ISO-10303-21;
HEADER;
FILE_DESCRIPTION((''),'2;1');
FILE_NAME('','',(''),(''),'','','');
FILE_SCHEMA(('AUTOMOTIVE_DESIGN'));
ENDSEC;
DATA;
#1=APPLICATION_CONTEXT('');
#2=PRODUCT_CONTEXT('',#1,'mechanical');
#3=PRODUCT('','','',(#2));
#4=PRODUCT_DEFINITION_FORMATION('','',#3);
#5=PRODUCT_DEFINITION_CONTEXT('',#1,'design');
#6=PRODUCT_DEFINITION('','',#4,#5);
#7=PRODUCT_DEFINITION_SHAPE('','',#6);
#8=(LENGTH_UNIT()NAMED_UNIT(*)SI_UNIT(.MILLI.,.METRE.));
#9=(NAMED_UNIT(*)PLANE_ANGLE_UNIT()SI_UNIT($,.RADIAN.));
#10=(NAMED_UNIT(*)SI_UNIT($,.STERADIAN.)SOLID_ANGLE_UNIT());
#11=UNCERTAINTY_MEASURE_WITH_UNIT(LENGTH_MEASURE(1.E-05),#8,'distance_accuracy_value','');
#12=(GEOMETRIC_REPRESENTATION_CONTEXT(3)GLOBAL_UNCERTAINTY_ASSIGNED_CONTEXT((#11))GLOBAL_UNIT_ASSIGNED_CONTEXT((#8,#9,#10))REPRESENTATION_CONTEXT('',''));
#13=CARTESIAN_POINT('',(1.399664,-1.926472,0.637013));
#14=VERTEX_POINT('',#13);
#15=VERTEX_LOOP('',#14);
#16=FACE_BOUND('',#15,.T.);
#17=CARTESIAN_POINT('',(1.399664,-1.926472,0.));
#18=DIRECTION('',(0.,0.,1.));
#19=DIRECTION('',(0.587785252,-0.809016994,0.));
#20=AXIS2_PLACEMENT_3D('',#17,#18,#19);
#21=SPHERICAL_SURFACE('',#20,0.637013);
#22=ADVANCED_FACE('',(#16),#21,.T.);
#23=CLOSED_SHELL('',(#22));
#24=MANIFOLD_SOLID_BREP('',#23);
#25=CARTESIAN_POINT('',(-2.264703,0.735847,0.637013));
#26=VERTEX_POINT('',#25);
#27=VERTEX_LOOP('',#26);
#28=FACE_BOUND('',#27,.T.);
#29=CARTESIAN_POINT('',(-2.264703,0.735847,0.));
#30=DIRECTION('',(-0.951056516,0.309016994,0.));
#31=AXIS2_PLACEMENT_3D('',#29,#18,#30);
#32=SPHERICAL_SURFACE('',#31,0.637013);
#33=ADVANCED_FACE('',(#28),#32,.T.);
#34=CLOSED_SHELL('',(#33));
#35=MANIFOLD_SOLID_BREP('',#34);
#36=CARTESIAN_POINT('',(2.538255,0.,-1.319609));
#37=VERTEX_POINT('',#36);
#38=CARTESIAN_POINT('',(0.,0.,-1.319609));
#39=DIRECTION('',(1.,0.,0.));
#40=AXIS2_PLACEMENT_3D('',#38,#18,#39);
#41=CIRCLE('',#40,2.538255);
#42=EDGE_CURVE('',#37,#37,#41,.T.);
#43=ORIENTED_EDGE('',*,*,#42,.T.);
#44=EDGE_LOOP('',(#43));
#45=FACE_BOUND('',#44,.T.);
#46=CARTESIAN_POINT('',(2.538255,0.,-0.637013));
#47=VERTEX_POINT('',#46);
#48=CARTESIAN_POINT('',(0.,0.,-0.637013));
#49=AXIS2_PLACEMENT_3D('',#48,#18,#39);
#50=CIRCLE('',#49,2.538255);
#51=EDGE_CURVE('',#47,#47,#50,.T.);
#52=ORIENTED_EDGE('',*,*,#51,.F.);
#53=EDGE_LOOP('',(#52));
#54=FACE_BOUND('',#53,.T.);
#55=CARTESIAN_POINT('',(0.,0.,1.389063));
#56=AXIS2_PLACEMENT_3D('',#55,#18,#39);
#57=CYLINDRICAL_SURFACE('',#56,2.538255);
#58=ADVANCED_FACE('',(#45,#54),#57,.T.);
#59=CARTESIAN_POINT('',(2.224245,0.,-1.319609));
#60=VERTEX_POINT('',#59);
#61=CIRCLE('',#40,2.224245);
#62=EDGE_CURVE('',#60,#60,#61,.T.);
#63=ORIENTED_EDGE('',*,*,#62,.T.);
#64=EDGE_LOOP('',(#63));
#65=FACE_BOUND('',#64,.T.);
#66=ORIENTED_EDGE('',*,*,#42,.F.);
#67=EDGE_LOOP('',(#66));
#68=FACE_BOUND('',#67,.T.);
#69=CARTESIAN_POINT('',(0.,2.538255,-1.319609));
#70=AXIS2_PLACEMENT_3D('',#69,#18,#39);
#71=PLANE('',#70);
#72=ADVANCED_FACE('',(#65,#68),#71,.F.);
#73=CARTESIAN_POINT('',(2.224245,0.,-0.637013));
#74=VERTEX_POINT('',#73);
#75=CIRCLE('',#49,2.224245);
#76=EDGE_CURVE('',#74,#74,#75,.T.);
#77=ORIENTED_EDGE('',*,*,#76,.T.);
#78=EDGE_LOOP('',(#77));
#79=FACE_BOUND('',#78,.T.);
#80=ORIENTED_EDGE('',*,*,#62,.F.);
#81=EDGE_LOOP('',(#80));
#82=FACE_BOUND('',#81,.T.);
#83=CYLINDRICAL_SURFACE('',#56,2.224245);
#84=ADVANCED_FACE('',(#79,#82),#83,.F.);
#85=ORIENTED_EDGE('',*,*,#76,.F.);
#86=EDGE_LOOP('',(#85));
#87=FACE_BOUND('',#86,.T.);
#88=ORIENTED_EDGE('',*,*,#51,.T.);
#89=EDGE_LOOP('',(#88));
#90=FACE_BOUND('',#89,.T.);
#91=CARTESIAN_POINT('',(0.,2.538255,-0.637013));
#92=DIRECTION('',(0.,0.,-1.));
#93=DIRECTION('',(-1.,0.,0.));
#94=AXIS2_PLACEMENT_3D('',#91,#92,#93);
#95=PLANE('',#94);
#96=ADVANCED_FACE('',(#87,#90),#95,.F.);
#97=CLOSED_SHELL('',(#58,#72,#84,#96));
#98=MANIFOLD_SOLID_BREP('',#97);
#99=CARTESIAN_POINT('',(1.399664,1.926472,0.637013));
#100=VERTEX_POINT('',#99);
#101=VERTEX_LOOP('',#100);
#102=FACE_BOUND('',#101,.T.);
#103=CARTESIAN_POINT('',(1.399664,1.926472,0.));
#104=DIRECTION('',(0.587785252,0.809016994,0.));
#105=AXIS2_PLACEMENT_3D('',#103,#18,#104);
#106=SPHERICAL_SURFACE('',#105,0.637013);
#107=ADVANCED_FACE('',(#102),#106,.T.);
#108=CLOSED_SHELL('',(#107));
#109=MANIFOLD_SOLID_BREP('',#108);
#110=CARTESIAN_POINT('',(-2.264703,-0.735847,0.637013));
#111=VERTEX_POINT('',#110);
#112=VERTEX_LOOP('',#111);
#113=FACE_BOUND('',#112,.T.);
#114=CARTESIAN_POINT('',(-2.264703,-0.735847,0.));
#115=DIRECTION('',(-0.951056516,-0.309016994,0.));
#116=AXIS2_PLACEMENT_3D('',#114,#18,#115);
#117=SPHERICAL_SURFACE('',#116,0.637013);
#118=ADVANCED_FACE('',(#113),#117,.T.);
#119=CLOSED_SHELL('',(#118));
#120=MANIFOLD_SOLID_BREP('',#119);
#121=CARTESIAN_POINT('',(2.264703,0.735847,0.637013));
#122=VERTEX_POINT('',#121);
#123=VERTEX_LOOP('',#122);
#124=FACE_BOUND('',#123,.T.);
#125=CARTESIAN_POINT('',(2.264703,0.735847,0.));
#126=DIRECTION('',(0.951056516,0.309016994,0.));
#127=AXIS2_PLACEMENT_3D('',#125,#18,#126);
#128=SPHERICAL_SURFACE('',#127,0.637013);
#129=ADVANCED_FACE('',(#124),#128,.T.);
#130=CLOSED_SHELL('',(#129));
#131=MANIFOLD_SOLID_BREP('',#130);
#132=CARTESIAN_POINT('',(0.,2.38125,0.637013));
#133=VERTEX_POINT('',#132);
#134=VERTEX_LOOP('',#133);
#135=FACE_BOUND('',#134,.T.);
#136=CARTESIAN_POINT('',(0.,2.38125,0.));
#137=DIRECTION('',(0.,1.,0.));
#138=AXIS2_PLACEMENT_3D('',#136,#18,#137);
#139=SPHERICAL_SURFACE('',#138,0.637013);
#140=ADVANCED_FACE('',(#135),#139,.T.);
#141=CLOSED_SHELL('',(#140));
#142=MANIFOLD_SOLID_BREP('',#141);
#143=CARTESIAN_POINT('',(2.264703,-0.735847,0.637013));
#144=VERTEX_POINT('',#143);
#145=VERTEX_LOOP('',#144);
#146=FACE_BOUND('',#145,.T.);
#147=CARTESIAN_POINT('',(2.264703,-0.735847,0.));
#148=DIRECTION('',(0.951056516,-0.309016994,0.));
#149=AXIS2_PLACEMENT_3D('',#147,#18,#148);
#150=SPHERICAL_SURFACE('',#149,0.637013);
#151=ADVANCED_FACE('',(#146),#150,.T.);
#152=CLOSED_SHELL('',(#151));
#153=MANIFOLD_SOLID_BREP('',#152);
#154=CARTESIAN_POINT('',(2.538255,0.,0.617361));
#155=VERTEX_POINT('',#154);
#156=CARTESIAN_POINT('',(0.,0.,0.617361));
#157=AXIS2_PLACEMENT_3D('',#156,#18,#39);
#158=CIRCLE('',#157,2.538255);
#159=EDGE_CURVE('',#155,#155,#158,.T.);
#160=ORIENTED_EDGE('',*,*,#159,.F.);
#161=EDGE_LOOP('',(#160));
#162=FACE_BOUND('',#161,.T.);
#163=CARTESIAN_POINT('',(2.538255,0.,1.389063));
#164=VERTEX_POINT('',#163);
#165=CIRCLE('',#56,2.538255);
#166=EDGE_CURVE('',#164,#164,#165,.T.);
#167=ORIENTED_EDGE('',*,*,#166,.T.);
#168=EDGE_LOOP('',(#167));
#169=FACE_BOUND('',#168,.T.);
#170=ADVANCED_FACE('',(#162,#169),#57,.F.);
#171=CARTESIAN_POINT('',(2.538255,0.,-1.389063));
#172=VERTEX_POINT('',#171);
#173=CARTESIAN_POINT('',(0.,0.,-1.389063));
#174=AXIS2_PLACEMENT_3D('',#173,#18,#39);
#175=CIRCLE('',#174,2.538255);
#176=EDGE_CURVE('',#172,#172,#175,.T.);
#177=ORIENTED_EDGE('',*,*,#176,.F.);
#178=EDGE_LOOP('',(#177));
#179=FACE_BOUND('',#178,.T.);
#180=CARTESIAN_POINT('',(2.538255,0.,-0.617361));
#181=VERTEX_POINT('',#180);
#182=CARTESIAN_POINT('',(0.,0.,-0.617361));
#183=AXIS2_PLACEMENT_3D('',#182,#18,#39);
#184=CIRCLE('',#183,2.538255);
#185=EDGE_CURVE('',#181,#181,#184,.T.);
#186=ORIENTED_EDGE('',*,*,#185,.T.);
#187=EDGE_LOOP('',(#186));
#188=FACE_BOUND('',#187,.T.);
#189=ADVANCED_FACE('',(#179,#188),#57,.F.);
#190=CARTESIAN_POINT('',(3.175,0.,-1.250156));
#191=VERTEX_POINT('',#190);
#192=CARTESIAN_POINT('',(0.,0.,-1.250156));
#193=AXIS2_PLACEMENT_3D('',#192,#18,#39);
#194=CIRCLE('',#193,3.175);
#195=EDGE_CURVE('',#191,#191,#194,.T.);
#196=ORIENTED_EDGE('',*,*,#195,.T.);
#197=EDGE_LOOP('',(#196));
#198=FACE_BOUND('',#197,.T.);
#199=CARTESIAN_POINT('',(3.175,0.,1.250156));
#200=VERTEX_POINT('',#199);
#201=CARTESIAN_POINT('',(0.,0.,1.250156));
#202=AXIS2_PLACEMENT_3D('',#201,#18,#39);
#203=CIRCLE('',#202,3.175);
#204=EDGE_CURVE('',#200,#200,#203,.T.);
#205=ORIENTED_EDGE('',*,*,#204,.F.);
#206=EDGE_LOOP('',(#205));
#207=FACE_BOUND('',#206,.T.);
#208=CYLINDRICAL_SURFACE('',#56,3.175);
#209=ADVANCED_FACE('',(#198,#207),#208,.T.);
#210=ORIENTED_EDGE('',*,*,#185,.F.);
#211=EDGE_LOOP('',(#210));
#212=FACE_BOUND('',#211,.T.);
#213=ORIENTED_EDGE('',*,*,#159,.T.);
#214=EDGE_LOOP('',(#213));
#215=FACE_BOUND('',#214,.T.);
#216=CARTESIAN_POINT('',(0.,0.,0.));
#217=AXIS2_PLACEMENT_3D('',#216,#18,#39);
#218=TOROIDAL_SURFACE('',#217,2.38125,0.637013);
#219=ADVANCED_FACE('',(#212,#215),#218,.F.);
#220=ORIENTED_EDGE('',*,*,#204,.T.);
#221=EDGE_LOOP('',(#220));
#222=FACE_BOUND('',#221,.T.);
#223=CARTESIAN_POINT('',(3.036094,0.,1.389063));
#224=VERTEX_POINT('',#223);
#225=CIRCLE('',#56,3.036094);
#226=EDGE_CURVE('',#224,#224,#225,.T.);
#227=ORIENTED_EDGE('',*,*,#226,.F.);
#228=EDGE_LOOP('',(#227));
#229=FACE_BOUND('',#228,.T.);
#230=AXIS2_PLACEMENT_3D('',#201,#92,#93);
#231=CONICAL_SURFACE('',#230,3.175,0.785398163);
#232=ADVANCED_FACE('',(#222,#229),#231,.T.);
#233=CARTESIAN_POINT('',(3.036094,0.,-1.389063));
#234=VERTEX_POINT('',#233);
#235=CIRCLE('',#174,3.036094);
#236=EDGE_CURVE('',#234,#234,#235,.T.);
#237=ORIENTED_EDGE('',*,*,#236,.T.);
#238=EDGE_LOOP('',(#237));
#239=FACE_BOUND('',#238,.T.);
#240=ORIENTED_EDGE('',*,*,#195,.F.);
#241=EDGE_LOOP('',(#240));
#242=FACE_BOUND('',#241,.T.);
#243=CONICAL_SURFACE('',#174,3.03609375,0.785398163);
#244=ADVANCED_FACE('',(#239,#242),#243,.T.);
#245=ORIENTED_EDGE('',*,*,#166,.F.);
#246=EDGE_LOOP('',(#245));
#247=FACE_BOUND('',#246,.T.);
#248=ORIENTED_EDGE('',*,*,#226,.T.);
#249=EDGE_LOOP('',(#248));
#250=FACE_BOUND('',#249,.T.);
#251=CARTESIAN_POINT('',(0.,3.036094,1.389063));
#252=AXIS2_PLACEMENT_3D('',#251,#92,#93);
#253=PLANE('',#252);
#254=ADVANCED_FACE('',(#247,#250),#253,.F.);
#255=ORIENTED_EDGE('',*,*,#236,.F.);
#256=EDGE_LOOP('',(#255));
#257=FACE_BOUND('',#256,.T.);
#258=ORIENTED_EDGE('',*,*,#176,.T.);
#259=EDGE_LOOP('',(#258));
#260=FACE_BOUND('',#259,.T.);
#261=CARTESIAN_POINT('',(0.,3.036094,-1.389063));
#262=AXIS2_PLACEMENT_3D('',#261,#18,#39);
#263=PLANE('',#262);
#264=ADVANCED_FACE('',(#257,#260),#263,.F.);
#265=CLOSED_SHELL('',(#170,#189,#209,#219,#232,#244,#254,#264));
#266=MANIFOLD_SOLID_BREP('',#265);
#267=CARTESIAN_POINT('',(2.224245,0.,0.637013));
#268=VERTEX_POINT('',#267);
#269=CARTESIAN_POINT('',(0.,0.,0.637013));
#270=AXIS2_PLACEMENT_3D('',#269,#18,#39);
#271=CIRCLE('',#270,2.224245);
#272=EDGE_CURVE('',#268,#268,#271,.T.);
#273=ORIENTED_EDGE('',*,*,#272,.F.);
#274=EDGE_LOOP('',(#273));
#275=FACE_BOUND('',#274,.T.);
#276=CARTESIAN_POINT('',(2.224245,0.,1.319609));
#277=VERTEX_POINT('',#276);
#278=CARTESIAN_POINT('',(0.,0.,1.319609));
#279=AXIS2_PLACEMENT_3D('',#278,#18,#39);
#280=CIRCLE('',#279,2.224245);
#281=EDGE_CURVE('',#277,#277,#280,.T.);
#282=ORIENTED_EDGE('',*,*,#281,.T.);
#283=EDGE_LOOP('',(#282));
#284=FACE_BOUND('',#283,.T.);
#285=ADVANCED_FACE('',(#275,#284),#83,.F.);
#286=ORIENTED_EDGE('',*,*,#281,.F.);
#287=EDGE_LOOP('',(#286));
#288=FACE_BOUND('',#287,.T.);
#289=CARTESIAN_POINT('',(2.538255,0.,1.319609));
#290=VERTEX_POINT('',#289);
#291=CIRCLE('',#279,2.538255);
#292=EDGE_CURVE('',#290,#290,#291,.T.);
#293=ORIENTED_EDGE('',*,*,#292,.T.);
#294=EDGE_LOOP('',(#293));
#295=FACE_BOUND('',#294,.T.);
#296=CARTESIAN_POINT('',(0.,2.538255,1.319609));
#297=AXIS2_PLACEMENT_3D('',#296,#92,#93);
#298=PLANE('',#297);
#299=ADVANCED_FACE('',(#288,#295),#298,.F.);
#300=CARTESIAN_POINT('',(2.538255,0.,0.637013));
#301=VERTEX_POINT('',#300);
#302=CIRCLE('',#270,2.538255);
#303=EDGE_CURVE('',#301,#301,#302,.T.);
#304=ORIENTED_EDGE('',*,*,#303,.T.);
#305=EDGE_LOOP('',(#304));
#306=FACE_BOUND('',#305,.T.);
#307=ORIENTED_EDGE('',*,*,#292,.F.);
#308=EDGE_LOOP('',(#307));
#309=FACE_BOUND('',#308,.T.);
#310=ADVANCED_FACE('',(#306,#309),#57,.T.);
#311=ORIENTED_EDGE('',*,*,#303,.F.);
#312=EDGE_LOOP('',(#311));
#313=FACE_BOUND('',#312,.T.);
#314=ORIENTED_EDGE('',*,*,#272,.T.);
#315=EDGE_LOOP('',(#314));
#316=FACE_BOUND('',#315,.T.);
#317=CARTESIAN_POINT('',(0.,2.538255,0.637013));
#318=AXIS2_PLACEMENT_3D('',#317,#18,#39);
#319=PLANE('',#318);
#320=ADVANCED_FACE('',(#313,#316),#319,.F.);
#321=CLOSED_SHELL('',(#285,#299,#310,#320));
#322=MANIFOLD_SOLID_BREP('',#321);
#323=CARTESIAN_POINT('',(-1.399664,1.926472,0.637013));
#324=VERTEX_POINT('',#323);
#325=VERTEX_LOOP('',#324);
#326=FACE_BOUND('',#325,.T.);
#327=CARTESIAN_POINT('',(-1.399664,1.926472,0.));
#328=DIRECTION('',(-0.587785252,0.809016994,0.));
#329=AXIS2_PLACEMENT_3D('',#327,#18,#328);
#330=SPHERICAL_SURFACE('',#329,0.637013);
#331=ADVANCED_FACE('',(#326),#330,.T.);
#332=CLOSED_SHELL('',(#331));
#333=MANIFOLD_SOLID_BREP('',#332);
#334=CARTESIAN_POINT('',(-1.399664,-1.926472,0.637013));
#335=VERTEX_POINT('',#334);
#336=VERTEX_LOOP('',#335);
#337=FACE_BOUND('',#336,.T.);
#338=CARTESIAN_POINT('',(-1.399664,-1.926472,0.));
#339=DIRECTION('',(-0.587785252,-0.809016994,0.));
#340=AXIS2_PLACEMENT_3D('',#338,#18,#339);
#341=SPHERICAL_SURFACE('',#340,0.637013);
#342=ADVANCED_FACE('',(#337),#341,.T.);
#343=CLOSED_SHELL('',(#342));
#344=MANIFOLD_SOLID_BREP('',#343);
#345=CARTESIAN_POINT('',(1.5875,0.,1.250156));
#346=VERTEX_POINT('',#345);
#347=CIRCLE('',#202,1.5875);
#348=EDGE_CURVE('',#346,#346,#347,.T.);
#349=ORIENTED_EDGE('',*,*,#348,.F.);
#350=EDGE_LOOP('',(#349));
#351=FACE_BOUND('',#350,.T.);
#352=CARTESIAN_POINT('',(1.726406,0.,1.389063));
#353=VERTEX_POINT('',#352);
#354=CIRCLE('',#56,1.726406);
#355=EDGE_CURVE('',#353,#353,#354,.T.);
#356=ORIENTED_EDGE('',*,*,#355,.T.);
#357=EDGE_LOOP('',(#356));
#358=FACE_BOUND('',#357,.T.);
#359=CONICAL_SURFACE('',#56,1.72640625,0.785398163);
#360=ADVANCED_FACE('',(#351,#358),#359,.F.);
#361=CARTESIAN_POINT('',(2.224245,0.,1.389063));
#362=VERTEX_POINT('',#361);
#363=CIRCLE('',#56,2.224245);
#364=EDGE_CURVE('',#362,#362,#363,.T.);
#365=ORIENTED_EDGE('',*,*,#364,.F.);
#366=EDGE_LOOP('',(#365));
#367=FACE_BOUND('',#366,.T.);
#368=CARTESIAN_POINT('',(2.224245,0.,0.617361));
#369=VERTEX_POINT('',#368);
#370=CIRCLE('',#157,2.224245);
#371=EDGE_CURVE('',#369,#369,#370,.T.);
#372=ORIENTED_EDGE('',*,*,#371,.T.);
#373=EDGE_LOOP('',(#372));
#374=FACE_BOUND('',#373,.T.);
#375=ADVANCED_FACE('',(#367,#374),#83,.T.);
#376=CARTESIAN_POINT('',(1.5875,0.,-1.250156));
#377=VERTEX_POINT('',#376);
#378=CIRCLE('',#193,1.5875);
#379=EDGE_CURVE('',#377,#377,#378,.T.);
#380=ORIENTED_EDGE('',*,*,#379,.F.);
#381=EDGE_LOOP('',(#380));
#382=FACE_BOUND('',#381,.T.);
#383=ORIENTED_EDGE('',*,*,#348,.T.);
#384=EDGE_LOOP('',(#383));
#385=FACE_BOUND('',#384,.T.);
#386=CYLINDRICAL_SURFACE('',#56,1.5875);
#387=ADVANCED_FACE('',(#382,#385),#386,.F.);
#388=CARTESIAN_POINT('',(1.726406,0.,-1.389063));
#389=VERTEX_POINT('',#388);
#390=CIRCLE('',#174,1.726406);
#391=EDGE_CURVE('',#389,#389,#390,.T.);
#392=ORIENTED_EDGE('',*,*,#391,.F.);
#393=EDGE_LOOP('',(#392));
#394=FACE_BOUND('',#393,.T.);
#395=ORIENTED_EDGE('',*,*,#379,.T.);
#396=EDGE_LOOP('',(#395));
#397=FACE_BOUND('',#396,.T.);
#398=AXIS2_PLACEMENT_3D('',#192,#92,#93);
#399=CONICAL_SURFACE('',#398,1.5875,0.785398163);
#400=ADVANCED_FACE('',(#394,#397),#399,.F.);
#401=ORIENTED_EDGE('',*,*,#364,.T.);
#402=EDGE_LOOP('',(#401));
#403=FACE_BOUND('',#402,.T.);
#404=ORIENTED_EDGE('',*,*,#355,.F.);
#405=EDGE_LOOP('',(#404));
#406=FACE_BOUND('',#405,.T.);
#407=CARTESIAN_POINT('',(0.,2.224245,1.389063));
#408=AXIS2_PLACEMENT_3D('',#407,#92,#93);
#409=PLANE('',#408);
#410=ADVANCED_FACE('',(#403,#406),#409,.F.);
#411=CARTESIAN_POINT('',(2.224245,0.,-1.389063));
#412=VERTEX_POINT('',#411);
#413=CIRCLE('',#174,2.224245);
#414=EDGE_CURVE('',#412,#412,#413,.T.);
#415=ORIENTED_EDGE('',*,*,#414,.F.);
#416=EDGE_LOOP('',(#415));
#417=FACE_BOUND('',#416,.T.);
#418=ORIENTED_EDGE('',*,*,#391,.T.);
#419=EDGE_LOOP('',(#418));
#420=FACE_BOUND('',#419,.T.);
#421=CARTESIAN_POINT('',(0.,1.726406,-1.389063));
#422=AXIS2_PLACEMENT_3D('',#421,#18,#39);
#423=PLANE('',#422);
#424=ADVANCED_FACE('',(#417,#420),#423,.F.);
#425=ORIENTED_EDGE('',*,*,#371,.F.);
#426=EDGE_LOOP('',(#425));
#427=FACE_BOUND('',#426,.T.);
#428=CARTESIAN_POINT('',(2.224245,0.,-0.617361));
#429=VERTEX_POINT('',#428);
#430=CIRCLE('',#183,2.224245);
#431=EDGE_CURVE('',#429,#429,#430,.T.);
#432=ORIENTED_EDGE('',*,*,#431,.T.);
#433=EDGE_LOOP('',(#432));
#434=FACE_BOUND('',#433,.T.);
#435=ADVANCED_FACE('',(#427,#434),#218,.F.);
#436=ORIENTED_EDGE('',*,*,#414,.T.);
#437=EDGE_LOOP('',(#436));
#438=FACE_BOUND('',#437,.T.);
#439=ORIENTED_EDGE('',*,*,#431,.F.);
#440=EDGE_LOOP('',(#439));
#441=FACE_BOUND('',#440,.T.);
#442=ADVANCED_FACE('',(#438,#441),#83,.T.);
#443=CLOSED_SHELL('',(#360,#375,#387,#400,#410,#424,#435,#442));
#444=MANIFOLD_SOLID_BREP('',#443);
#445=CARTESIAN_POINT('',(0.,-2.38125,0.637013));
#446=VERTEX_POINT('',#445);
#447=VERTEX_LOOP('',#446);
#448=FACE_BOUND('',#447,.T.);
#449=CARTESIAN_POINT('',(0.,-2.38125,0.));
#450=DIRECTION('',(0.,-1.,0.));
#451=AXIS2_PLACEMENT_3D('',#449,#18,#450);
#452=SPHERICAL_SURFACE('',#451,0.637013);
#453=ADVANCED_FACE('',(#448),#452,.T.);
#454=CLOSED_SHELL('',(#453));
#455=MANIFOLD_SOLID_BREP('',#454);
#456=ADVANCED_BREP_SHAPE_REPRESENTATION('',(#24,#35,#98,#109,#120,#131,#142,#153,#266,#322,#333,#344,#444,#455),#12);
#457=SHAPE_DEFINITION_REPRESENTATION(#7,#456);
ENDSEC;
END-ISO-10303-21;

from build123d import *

# Parameters (mm, degrees)
CIRPATTERN1_COUNT = 10
SKETCH5_W         = 0.68259645
SKETCH5_H         = 0.31401099


with BuildPart() as part:
    # Sketch1 → Revolve1 (revolve)
    with BuildSketch(Plane(origin=(0, 0, 0), x_dir=(0, 0, -1), z_dir=(1, 0, 0))):
        with BuildLine():
            Line((1.25015625, 3.175), (-1.25015625, 3.175))
            Line((-1.25015625, 3.175), (-1.3890625, 3.03609375))
            Line((-1.3890625, 3.03609375), (-1.3890625, 2.538255495))
            Line((-1.3890625, 2.538255495), (-0.617361111, 2.538255495))
            ThreePointArc((-0.617361111, 2.538255495), (0, 3.018262925), (0.617361111, 2.538255495))
            Line((0.617361111, 2.538255495), (1.3890625, 2.538255495))
            Line((1.3890625, 2.538255495), (1.3890625, 3.03609375))
            Line((1.3890625, 3.03609375), (1.25015625, 3.175))
        make_face()
    revolve(axis=Axis((0, 0, 1.3890625), (0, 0, -1)))


with BuildPart() as body_2:
    # Sketch3 → Revolve3 (revolve)
    with BuildSketch(Plane(origin=(0, 0, 0), x_dir=(0, 0, -1), z_dir=(1, 0, 0))):
        with BuildLine():
            Line((-0.617361111, 2.224244505), (-1.3890625, 2.224244505))
            Line((-1.3890625, 2.224244505), (-1.3890625, 1.72640625))
            Line((-1.3890625, 1.72640625), (-1.25015625, 1.5875))
            Line((-1.25015625, 1.5875), (1.25015625, 1.5875))
            Line((1.25015625, 1.5875), (1.3890625, 1.72640625))
            Line((1.3890625, 1.72640625), (1.3890625, 2.224244505))
            Line((1.3890625, 2.224244505), (0.617361111, 2.224244505))
            ThreePointArc((0.617361111, 2.224244505), (0, 1.744237075), (-0.617361111, 2.224244505))
        make_face()
    revolve(axis=Axis((0, 0, 1.3890625), (0, 0, -1)))


with BuildPart() as body_3:
    # Sketch4 → Revolve4 (revolve)
    with BuildSketch(Plane(origin=(0, 0, 0), x_dir=(0, 0, -1), z_dir=(1, 0, 0))):
        with BuildLine():
            Line((-0.637012925, 2.38125), (0.637012925, 2.38125))
            ThreePointArc((0.637012925, 2.38125), (0, 3.018262925), (-0.637012925, 2.38125))
        make_face()
    revolve(axis=Axis((0, 2.38125, 0.637012925), (0, 0, -1)))


with BuildPart() as cirpattern1_1:
    # CirPattern1: pattern copy
    add(body_3.part.rotate(Axis((0, 0, 0), (0, 0, 1)), 1 * 360 / CIRPATTERN1_COUNT))


with BuildPart() as cirpattern1_2:
    # CirPattern1: pattern copy
    add(body_3.part.rotate(Axis((0, 0, 0), (0, 0, 1)), 2 * 360 / CIRPATTERN1_COUNT))


with BuildPart() as cirpattern1_3:
    # CirPattern1: pattern copy
    add(body_3.part.rotate(Axis((0, 0, 0), (0, 0, 1)), 3 * 360 / CIRPATTERN1_COUNT))


with BuildPart() as cirpattern1_4:
    # CirPattern1: pattern copy
    add(body_3.part.rotate(Axis((0, 0, 0), (0, 0, 1)), 4 * 360 / CIRPATTERN1_COUNT))


with BuildPart() as cirpattern1_5:
    # CirPattern1: pattern copy
    add(body_3.part.rotate(Axis((0, 0, 0), (0, 0, 1)), 5 * 360 / CIRPATTERN1_COUNT))


with BuildPart() as cirpattern1_6:
    # CirPattern1: pattern copy
    add(body_3.part.rotate(Axis((0, 0, 0), (0, 0, 1)), 6 * 360 / CIRPATTERN1_COUNT))


with BuildPart() as cirpattern1_7:
    # CirPattern1: pattern copy
    add(body_3.part.rotate(Axis((0, 0, 0), (0, 0, 1)), 7 * 360 / CIRPATTERN1_COUNT))


with BuildPart() as cirpattern1_8:
    # CirPattern1: pattern copy
    add(body_3.part.rotate(Axis((0, 0, 0), (0, 0, 1)), 8 * 360 / CIRPATTERN1_COUNT))


with BuildPart() as cirpattern1_9:
    # CirPattern1: pattern copy
    add(body_3.part.rotate(Axis((0, 0, 0), (0, 0, 1)), 9 * 360 / CIRPATTERN1_COUNT))


with BuildPart() as body_13:
    # Sketch5 → Revolve5 (revolve)
    with BuildSketch(Plane(origin=(0, 0, 0), x_dir=(0, 0, -1), z_dir=(1, 0, 0))):
        with Locations((-0.97831115, 2.38125)):
            Rectangle(SKETCH5_W, SKETCH5_H)
        with Locations((0.97831115, 2.38125)):
            Rectangle(SKETCH5_W, SKETCH5_H)
    revolve(axis=Axis((0, 0, 1.3890625), (0, 0, -1)))


solid = Compound([part.part, body_2.part, body_3.part, cirpattern1_1.part, cirpattern1_2.part, cirpattern1_3.part, cirpattern1_4.part, cirpattern1_5.part, cirpattern1_6.part, cirpattern1_7.part, cirpattern1_8.part, cirpattern1_9.part, body_13.part])
